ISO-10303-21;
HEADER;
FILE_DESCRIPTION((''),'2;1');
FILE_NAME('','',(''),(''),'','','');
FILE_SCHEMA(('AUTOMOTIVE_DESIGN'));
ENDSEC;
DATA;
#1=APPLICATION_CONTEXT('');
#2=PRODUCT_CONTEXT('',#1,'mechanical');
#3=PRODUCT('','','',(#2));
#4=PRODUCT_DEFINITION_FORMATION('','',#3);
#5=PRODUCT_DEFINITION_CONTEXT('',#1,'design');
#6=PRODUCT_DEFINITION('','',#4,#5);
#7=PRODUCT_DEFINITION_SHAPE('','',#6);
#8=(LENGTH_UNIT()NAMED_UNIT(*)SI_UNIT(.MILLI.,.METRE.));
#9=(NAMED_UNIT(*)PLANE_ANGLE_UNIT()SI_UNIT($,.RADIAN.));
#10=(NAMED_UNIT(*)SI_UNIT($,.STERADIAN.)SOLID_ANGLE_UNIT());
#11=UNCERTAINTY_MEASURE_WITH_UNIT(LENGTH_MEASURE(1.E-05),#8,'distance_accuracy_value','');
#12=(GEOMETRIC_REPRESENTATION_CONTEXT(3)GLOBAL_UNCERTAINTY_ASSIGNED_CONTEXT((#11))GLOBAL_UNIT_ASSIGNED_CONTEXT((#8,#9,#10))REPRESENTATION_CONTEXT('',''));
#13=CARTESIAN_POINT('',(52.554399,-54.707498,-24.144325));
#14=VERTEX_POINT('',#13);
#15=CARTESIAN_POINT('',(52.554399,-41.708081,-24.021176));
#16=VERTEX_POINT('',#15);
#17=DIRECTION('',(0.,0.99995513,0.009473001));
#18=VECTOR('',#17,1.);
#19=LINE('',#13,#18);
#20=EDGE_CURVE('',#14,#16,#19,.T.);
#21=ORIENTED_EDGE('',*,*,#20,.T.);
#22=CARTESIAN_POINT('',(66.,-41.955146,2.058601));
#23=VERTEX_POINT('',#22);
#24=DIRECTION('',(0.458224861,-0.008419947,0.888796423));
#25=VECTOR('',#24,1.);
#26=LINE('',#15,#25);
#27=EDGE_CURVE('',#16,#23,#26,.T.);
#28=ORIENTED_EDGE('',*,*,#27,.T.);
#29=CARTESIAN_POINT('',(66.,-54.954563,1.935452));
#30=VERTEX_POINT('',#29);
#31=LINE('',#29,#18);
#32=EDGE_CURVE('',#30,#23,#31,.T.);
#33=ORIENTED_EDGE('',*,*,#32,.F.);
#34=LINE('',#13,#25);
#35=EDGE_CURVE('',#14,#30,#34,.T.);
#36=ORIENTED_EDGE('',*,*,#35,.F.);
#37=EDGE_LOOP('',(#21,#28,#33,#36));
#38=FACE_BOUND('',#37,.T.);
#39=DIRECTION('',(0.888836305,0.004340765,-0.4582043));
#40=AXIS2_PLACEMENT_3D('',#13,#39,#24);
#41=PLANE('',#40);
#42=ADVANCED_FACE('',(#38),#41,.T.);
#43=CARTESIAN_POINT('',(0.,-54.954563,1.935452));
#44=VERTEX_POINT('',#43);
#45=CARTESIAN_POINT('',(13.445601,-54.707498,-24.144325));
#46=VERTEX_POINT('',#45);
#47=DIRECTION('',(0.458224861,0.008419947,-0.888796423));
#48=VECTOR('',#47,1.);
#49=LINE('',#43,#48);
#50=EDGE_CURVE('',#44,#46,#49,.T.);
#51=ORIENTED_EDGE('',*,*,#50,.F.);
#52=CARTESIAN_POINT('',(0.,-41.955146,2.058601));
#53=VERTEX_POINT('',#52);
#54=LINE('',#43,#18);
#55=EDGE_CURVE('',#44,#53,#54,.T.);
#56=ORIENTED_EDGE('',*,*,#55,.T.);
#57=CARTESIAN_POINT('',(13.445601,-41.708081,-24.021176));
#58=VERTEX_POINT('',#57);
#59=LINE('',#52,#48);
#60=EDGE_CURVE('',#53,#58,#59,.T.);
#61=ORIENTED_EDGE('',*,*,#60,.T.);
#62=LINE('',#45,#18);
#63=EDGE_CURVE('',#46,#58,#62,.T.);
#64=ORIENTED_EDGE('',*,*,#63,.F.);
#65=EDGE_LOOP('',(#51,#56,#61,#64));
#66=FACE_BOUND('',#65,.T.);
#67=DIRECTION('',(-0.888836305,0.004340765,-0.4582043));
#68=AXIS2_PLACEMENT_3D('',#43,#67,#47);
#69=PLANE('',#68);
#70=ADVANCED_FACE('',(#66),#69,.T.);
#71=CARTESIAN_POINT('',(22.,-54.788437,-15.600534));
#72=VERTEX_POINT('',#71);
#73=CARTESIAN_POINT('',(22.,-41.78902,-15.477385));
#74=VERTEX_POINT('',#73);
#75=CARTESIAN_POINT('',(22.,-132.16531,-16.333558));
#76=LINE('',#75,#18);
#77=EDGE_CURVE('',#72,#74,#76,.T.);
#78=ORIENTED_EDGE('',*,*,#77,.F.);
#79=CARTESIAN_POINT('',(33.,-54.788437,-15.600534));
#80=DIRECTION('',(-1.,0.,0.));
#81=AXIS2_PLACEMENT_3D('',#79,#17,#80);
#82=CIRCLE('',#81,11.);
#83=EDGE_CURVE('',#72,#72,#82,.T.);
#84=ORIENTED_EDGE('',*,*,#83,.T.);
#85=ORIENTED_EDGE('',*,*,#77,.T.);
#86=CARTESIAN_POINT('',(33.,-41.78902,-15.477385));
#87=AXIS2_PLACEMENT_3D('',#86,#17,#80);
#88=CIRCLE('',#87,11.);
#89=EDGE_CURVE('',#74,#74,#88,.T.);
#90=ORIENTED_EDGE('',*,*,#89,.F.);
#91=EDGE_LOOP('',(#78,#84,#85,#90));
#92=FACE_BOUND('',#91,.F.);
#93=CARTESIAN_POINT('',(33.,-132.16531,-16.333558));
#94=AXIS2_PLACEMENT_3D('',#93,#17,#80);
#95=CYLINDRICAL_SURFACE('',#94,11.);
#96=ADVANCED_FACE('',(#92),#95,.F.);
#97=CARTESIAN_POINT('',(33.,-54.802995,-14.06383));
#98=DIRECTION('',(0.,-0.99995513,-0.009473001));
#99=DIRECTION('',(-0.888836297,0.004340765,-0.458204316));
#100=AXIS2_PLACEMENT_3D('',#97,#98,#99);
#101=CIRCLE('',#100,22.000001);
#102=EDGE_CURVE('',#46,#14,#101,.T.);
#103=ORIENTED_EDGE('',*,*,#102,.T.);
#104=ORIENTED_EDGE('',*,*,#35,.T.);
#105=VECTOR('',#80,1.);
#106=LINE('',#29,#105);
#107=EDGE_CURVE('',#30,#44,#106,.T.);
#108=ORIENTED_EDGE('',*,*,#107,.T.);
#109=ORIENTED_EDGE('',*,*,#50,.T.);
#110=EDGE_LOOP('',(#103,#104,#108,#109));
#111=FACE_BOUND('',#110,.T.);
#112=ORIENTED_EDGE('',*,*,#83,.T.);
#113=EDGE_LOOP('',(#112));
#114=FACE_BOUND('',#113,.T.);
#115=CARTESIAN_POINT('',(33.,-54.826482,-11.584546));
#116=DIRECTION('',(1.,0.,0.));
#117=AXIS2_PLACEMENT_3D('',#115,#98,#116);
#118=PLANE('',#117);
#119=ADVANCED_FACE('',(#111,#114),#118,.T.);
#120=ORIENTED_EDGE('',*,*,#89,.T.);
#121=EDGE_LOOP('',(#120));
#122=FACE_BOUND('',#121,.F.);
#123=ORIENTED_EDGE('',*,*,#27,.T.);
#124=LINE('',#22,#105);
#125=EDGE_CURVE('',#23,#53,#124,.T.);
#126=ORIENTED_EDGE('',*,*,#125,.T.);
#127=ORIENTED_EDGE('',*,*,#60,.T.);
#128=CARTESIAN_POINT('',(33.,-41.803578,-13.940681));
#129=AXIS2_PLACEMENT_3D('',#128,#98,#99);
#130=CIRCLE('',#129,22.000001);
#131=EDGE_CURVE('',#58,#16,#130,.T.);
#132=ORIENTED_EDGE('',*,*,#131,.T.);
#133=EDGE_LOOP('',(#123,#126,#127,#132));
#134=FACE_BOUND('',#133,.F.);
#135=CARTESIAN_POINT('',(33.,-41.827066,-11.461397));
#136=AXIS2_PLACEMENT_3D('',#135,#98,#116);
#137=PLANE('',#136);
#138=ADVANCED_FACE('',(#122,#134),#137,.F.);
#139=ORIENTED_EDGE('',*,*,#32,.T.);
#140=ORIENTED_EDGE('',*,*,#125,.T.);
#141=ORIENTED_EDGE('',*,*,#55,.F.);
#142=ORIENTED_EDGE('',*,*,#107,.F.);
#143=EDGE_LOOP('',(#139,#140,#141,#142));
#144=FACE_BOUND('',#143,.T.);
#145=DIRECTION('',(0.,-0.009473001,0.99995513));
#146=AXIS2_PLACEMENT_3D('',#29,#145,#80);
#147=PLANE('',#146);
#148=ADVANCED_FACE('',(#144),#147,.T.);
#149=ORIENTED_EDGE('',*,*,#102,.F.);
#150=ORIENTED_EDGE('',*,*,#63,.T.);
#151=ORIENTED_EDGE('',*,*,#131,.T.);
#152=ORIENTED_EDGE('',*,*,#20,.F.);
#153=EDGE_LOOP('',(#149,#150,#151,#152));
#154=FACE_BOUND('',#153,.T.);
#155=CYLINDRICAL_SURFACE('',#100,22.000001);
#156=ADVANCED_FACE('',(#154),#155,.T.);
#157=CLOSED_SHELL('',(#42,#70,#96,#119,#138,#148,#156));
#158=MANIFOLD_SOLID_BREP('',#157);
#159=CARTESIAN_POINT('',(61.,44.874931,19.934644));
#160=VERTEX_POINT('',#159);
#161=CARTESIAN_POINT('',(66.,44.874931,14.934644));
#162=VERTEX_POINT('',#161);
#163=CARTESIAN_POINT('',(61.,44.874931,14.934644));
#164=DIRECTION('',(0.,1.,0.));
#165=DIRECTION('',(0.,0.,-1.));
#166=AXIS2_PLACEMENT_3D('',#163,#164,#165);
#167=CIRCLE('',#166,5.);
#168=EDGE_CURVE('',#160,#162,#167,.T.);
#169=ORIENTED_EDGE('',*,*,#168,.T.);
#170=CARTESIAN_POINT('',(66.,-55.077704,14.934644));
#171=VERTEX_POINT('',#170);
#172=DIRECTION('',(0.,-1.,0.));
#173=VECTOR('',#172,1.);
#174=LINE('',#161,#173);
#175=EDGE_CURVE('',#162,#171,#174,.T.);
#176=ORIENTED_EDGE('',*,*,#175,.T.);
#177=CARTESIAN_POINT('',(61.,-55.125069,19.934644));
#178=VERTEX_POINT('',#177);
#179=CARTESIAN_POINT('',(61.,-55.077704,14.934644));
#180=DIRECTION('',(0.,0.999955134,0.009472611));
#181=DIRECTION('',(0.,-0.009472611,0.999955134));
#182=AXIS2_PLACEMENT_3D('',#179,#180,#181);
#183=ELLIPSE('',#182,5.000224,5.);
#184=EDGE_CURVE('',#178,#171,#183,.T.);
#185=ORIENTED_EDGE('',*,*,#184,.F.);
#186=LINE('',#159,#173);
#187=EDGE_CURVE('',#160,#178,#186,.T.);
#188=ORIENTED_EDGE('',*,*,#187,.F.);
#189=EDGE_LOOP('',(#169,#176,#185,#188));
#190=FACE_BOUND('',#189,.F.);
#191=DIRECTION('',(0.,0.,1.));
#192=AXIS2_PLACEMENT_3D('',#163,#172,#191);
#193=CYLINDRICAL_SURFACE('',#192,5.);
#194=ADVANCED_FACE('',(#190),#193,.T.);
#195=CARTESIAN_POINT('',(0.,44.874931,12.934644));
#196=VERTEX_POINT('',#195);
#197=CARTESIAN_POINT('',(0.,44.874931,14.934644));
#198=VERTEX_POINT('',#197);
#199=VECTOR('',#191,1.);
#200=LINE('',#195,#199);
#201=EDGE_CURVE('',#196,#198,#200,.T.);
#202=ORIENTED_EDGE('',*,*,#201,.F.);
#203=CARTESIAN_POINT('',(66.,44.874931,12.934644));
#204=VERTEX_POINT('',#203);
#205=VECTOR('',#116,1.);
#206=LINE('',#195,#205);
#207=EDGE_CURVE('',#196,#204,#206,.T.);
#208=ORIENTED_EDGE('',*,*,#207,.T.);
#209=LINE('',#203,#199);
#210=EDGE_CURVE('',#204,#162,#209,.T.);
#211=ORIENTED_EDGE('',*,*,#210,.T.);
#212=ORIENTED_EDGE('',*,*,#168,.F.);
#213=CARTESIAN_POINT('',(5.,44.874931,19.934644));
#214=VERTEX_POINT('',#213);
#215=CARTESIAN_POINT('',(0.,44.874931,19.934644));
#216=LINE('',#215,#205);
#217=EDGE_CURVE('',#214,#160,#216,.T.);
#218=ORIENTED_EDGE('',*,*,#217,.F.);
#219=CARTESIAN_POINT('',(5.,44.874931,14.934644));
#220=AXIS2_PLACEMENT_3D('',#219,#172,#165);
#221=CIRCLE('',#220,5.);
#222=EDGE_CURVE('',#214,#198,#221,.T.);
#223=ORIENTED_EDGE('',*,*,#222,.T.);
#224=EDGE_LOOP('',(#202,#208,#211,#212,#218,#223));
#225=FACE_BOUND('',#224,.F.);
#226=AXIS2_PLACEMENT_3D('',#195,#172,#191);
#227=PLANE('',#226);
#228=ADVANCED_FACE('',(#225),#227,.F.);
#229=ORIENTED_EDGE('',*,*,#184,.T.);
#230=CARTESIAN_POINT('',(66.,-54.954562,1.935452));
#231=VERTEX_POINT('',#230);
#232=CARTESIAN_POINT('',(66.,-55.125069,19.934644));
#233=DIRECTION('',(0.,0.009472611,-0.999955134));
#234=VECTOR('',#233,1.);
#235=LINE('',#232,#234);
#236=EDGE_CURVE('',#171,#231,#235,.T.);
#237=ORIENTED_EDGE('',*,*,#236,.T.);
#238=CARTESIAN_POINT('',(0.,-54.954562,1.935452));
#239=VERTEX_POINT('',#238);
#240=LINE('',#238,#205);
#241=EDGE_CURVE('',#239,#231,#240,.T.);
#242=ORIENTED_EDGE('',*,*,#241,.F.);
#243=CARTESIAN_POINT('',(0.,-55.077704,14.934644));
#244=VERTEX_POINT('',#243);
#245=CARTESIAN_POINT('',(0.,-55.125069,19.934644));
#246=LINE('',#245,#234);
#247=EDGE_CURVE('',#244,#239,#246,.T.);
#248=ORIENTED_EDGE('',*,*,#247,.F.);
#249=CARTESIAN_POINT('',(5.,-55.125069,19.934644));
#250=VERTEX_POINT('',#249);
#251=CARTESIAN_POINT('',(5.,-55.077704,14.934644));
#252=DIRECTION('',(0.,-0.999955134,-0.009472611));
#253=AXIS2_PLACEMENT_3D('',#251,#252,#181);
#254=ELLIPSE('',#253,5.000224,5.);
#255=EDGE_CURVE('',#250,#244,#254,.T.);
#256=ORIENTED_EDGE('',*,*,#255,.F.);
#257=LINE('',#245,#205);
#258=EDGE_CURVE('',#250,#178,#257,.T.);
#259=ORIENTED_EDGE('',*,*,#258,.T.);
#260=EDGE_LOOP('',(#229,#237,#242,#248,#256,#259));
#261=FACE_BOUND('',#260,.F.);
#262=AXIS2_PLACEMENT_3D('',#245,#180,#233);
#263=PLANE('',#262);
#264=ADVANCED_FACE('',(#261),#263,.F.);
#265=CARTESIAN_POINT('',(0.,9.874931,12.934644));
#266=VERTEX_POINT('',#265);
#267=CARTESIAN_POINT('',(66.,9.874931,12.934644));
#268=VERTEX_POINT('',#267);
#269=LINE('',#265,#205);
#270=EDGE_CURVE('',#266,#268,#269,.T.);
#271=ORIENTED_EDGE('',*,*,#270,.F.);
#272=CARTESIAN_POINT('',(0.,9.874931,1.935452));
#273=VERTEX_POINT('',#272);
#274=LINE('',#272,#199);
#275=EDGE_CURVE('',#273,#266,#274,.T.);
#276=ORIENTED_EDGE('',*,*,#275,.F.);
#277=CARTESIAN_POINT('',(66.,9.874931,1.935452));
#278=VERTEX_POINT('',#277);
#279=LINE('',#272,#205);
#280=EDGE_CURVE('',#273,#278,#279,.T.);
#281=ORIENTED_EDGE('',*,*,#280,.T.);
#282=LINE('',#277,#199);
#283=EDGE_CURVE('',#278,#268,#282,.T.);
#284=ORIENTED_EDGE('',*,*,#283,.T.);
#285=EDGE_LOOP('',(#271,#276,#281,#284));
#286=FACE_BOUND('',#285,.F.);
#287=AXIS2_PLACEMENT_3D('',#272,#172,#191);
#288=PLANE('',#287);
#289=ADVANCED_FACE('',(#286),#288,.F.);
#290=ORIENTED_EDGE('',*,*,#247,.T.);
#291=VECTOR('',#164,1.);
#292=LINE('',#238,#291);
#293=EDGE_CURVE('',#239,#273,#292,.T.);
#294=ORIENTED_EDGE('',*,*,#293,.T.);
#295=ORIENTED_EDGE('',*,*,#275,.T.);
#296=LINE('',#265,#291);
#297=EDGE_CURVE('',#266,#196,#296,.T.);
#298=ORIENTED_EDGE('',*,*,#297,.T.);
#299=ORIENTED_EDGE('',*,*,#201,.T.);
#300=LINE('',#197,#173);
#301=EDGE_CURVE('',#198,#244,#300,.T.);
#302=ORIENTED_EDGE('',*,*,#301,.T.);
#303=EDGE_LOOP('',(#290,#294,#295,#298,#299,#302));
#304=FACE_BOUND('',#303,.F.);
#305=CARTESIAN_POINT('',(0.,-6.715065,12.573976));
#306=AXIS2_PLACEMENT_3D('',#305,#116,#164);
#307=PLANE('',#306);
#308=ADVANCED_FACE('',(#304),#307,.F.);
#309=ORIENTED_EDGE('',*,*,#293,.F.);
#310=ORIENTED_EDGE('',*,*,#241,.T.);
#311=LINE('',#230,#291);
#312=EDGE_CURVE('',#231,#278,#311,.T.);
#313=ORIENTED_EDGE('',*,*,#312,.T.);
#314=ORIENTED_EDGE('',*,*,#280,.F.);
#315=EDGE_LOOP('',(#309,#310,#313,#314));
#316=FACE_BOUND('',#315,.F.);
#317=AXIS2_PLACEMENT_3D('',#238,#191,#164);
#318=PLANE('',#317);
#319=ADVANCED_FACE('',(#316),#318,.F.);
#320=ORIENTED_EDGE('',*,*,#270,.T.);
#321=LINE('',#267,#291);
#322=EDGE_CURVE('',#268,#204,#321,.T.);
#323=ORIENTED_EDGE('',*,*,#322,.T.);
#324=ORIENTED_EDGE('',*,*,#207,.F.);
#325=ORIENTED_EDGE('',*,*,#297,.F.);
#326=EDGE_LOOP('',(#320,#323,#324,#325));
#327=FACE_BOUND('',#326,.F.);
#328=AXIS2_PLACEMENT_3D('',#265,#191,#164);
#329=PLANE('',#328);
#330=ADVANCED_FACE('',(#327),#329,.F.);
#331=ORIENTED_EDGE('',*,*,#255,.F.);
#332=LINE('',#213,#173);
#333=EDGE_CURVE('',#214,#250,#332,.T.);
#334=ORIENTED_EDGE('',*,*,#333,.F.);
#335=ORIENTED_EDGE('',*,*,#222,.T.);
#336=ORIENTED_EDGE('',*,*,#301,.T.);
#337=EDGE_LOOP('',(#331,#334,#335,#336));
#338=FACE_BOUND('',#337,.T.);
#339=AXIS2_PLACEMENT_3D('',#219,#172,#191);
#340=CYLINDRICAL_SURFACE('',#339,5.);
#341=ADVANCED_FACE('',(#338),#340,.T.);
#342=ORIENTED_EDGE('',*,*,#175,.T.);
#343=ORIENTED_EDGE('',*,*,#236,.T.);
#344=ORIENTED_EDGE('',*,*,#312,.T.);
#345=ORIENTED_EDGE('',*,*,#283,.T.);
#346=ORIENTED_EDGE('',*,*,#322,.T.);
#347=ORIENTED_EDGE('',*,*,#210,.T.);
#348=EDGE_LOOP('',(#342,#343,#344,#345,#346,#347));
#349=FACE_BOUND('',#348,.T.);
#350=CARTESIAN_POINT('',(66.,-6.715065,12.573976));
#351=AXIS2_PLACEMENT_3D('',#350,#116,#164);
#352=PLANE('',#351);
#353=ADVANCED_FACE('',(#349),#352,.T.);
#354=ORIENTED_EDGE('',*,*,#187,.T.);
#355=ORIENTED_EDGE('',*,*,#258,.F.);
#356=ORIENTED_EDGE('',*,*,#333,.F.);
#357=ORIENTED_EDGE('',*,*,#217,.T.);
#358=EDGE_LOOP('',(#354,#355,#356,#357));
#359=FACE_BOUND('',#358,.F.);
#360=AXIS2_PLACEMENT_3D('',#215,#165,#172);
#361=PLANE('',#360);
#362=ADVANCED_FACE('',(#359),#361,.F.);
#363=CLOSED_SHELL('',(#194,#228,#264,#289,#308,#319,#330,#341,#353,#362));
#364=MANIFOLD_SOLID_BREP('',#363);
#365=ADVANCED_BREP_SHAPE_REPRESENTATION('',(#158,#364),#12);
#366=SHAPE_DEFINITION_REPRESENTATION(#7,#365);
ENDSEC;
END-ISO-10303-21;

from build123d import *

# Parameters (mm, degrees)
F1_DEPTH = 66
F3_DEPTH = 13
F5_D     = 22
F6_R     = 5


with BuildPart() as f1:
    # F0 (on Right) → F1 (new body)
    with BuildSketch(Plane.YZ):
        Polygon((-54.954562, 1.935452), (9.874931, 1.935452), (9.874931, 12.934644), (44.874931, 12.934644), (44.874931, 19.934644), (-55.125069, 19.934644), align=None)
    extrude(amount=F1_DEPTH)

    # F6
    f6_edges = [f1.edges().sort_by_distance(p)[0] for p in [
        (0, -5.125069, 19.934644),
        (66, -5.125069, 19.934644),
    ]]
    fillet(f6_edges, radius=F6_R)


with BuildPart() as f3:
    # F2 (on face) → F3 (new body)
    with BuildSketch(Plane(origin=(0, -54.931298, -0.520364), x_dir=(1, 0, 0), z_dir=(0, -0.999955, -0.009473))):
        with BuildLine():
            Line((0, 2.455926), (13.445601, -23.625021))
            ThreePointArc((13.445601, -23.625021), (33, -35.544074), (52.554399, -23.625021))
            Line((52.554399, -23.625021), (66, 2.455926))
            Line((66, 2.455926), (0, 2.455926))
        make_face()
    extrude(amount=-F3_DEPTH)

    # F5 (through all)
    with Locations(Plane(origin=(0, -54.931298, -0.520364), x_dir=(1, 0, 0), z_dir=(0, -0.999955, -0.009473))):
        with Locations((33, -15.080847)):
            Hole(F5_D / 2)


solid = Compound([f1.part, f3.part])
